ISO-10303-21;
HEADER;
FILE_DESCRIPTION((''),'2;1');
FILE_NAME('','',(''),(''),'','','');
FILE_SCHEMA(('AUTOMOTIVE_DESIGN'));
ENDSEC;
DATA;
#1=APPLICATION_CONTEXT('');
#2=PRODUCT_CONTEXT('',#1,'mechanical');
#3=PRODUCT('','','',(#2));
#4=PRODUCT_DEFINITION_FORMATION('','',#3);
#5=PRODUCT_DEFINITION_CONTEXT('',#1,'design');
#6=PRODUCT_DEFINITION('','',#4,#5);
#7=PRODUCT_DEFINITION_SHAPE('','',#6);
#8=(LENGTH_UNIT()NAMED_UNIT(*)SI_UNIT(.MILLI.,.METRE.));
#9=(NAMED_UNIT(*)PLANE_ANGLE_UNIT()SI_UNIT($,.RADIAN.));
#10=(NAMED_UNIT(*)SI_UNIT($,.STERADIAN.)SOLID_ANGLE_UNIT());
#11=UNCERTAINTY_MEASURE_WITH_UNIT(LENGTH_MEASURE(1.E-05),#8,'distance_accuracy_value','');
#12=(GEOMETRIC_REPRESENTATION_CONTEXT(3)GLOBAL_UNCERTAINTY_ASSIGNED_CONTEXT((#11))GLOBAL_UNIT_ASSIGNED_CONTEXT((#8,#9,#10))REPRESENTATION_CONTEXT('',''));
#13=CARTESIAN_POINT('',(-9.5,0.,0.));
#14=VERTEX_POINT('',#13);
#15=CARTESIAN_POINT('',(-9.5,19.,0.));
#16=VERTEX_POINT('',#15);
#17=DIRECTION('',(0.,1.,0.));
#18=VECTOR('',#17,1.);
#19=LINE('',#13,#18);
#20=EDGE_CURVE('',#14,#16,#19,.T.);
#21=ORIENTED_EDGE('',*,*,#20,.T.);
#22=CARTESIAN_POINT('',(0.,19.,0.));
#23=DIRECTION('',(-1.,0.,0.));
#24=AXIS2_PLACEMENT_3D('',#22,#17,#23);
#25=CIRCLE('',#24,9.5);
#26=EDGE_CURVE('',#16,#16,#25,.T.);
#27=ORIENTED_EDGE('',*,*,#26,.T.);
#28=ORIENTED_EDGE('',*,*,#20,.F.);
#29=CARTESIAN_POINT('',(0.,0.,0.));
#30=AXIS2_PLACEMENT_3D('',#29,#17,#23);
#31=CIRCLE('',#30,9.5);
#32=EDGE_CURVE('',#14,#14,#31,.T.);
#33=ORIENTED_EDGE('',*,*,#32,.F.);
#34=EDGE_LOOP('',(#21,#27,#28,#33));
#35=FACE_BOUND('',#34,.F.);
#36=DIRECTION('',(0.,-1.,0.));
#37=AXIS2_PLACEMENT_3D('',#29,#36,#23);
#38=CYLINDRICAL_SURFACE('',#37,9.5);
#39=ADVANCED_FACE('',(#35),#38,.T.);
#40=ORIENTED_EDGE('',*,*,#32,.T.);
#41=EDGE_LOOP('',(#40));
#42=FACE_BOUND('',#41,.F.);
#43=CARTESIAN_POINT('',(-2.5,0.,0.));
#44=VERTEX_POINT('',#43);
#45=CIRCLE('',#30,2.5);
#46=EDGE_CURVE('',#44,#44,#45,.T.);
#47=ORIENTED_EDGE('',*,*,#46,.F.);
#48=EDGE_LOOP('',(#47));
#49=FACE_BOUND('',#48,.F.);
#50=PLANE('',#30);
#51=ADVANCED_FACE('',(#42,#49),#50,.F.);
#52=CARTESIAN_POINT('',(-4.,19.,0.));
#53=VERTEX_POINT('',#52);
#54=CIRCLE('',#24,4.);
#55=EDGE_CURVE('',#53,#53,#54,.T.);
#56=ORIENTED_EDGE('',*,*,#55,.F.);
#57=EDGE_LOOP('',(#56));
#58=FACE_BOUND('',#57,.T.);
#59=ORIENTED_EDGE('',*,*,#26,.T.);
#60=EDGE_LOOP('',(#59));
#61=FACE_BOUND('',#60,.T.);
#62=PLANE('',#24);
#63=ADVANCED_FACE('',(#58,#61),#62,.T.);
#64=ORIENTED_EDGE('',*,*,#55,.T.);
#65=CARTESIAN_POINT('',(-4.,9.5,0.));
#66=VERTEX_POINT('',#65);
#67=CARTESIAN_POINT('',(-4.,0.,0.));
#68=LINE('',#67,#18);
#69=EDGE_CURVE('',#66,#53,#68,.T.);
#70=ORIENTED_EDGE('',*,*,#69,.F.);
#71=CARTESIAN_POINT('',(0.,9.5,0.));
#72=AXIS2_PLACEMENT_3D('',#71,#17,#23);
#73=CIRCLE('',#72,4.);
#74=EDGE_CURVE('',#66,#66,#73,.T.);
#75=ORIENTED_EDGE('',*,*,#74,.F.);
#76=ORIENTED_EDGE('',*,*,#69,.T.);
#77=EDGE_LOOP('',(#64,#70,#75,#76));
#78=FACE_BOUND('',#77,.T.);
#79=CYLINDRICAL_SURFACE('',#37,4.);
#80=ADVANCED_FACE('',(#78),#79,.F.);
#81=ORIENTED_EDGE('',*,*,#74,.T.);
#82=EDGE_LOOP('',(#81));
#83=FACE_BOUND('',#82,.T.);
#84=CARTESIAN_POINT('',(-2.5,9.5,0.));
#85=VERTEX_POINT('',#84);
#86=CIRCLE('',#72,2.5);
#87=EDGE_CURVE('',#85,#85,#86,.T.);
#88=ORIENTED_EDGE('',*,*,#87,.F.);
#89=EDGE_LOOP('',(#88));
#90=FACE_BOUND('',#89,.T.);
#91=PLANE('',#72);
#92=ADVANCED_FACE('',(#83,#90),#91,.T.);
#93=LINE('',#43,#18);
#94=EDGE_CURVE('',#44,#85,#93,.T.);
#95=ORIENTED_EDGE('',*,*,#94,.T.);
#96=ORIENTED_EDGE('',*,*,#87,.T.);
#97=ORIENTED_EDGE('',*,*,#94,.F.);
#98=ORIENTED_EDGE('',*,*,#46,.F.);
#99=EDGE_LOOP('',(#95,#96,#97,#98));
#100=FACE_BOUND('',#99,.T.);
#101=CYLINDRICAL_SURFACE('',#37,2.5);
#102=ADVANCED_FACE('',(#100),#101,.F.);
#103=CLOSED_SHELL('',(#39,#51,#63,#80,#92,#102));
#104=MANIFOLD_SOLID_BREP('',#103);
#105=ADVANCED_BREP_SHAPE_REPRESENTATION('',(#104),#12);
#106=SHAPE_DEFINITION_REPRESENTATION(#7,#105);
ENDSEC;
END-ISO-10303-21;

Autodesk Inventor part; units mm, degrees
ref_plane "YZ Plane" through (0, 0, 0) normal (1, 0, 0) x (0, 1, 0)
ref_plane "XZ Plane" through (0, 0, 0) normal (0, 1, 0) x (-1, 0, 0)
ref_plane "XY Plane" through (0, 0, 0) normal (0, 0, 1) x (1, 0, 0)
sketch "Sketch1" plane through (0, 0, 0) normal (0, 1, 0) x (-1, 0, 0)
  circle A0 centre (0, 0) radius 9.5
  circle A1 centre (0, 0) radius 2.5
  circle A2 centre (0, 0) radius 4
  dimension "d0" = 19
  dimension "d1" = 5
  dimension "d2" = 8
extrude "Extrusion1" add sketch "Sketch1" along normal blind 19 contours A0
extrude "Extrusion2" add sketch "Sketch1" along normal blind 9.5 contours A2
properties part number "Rod Coupler"
